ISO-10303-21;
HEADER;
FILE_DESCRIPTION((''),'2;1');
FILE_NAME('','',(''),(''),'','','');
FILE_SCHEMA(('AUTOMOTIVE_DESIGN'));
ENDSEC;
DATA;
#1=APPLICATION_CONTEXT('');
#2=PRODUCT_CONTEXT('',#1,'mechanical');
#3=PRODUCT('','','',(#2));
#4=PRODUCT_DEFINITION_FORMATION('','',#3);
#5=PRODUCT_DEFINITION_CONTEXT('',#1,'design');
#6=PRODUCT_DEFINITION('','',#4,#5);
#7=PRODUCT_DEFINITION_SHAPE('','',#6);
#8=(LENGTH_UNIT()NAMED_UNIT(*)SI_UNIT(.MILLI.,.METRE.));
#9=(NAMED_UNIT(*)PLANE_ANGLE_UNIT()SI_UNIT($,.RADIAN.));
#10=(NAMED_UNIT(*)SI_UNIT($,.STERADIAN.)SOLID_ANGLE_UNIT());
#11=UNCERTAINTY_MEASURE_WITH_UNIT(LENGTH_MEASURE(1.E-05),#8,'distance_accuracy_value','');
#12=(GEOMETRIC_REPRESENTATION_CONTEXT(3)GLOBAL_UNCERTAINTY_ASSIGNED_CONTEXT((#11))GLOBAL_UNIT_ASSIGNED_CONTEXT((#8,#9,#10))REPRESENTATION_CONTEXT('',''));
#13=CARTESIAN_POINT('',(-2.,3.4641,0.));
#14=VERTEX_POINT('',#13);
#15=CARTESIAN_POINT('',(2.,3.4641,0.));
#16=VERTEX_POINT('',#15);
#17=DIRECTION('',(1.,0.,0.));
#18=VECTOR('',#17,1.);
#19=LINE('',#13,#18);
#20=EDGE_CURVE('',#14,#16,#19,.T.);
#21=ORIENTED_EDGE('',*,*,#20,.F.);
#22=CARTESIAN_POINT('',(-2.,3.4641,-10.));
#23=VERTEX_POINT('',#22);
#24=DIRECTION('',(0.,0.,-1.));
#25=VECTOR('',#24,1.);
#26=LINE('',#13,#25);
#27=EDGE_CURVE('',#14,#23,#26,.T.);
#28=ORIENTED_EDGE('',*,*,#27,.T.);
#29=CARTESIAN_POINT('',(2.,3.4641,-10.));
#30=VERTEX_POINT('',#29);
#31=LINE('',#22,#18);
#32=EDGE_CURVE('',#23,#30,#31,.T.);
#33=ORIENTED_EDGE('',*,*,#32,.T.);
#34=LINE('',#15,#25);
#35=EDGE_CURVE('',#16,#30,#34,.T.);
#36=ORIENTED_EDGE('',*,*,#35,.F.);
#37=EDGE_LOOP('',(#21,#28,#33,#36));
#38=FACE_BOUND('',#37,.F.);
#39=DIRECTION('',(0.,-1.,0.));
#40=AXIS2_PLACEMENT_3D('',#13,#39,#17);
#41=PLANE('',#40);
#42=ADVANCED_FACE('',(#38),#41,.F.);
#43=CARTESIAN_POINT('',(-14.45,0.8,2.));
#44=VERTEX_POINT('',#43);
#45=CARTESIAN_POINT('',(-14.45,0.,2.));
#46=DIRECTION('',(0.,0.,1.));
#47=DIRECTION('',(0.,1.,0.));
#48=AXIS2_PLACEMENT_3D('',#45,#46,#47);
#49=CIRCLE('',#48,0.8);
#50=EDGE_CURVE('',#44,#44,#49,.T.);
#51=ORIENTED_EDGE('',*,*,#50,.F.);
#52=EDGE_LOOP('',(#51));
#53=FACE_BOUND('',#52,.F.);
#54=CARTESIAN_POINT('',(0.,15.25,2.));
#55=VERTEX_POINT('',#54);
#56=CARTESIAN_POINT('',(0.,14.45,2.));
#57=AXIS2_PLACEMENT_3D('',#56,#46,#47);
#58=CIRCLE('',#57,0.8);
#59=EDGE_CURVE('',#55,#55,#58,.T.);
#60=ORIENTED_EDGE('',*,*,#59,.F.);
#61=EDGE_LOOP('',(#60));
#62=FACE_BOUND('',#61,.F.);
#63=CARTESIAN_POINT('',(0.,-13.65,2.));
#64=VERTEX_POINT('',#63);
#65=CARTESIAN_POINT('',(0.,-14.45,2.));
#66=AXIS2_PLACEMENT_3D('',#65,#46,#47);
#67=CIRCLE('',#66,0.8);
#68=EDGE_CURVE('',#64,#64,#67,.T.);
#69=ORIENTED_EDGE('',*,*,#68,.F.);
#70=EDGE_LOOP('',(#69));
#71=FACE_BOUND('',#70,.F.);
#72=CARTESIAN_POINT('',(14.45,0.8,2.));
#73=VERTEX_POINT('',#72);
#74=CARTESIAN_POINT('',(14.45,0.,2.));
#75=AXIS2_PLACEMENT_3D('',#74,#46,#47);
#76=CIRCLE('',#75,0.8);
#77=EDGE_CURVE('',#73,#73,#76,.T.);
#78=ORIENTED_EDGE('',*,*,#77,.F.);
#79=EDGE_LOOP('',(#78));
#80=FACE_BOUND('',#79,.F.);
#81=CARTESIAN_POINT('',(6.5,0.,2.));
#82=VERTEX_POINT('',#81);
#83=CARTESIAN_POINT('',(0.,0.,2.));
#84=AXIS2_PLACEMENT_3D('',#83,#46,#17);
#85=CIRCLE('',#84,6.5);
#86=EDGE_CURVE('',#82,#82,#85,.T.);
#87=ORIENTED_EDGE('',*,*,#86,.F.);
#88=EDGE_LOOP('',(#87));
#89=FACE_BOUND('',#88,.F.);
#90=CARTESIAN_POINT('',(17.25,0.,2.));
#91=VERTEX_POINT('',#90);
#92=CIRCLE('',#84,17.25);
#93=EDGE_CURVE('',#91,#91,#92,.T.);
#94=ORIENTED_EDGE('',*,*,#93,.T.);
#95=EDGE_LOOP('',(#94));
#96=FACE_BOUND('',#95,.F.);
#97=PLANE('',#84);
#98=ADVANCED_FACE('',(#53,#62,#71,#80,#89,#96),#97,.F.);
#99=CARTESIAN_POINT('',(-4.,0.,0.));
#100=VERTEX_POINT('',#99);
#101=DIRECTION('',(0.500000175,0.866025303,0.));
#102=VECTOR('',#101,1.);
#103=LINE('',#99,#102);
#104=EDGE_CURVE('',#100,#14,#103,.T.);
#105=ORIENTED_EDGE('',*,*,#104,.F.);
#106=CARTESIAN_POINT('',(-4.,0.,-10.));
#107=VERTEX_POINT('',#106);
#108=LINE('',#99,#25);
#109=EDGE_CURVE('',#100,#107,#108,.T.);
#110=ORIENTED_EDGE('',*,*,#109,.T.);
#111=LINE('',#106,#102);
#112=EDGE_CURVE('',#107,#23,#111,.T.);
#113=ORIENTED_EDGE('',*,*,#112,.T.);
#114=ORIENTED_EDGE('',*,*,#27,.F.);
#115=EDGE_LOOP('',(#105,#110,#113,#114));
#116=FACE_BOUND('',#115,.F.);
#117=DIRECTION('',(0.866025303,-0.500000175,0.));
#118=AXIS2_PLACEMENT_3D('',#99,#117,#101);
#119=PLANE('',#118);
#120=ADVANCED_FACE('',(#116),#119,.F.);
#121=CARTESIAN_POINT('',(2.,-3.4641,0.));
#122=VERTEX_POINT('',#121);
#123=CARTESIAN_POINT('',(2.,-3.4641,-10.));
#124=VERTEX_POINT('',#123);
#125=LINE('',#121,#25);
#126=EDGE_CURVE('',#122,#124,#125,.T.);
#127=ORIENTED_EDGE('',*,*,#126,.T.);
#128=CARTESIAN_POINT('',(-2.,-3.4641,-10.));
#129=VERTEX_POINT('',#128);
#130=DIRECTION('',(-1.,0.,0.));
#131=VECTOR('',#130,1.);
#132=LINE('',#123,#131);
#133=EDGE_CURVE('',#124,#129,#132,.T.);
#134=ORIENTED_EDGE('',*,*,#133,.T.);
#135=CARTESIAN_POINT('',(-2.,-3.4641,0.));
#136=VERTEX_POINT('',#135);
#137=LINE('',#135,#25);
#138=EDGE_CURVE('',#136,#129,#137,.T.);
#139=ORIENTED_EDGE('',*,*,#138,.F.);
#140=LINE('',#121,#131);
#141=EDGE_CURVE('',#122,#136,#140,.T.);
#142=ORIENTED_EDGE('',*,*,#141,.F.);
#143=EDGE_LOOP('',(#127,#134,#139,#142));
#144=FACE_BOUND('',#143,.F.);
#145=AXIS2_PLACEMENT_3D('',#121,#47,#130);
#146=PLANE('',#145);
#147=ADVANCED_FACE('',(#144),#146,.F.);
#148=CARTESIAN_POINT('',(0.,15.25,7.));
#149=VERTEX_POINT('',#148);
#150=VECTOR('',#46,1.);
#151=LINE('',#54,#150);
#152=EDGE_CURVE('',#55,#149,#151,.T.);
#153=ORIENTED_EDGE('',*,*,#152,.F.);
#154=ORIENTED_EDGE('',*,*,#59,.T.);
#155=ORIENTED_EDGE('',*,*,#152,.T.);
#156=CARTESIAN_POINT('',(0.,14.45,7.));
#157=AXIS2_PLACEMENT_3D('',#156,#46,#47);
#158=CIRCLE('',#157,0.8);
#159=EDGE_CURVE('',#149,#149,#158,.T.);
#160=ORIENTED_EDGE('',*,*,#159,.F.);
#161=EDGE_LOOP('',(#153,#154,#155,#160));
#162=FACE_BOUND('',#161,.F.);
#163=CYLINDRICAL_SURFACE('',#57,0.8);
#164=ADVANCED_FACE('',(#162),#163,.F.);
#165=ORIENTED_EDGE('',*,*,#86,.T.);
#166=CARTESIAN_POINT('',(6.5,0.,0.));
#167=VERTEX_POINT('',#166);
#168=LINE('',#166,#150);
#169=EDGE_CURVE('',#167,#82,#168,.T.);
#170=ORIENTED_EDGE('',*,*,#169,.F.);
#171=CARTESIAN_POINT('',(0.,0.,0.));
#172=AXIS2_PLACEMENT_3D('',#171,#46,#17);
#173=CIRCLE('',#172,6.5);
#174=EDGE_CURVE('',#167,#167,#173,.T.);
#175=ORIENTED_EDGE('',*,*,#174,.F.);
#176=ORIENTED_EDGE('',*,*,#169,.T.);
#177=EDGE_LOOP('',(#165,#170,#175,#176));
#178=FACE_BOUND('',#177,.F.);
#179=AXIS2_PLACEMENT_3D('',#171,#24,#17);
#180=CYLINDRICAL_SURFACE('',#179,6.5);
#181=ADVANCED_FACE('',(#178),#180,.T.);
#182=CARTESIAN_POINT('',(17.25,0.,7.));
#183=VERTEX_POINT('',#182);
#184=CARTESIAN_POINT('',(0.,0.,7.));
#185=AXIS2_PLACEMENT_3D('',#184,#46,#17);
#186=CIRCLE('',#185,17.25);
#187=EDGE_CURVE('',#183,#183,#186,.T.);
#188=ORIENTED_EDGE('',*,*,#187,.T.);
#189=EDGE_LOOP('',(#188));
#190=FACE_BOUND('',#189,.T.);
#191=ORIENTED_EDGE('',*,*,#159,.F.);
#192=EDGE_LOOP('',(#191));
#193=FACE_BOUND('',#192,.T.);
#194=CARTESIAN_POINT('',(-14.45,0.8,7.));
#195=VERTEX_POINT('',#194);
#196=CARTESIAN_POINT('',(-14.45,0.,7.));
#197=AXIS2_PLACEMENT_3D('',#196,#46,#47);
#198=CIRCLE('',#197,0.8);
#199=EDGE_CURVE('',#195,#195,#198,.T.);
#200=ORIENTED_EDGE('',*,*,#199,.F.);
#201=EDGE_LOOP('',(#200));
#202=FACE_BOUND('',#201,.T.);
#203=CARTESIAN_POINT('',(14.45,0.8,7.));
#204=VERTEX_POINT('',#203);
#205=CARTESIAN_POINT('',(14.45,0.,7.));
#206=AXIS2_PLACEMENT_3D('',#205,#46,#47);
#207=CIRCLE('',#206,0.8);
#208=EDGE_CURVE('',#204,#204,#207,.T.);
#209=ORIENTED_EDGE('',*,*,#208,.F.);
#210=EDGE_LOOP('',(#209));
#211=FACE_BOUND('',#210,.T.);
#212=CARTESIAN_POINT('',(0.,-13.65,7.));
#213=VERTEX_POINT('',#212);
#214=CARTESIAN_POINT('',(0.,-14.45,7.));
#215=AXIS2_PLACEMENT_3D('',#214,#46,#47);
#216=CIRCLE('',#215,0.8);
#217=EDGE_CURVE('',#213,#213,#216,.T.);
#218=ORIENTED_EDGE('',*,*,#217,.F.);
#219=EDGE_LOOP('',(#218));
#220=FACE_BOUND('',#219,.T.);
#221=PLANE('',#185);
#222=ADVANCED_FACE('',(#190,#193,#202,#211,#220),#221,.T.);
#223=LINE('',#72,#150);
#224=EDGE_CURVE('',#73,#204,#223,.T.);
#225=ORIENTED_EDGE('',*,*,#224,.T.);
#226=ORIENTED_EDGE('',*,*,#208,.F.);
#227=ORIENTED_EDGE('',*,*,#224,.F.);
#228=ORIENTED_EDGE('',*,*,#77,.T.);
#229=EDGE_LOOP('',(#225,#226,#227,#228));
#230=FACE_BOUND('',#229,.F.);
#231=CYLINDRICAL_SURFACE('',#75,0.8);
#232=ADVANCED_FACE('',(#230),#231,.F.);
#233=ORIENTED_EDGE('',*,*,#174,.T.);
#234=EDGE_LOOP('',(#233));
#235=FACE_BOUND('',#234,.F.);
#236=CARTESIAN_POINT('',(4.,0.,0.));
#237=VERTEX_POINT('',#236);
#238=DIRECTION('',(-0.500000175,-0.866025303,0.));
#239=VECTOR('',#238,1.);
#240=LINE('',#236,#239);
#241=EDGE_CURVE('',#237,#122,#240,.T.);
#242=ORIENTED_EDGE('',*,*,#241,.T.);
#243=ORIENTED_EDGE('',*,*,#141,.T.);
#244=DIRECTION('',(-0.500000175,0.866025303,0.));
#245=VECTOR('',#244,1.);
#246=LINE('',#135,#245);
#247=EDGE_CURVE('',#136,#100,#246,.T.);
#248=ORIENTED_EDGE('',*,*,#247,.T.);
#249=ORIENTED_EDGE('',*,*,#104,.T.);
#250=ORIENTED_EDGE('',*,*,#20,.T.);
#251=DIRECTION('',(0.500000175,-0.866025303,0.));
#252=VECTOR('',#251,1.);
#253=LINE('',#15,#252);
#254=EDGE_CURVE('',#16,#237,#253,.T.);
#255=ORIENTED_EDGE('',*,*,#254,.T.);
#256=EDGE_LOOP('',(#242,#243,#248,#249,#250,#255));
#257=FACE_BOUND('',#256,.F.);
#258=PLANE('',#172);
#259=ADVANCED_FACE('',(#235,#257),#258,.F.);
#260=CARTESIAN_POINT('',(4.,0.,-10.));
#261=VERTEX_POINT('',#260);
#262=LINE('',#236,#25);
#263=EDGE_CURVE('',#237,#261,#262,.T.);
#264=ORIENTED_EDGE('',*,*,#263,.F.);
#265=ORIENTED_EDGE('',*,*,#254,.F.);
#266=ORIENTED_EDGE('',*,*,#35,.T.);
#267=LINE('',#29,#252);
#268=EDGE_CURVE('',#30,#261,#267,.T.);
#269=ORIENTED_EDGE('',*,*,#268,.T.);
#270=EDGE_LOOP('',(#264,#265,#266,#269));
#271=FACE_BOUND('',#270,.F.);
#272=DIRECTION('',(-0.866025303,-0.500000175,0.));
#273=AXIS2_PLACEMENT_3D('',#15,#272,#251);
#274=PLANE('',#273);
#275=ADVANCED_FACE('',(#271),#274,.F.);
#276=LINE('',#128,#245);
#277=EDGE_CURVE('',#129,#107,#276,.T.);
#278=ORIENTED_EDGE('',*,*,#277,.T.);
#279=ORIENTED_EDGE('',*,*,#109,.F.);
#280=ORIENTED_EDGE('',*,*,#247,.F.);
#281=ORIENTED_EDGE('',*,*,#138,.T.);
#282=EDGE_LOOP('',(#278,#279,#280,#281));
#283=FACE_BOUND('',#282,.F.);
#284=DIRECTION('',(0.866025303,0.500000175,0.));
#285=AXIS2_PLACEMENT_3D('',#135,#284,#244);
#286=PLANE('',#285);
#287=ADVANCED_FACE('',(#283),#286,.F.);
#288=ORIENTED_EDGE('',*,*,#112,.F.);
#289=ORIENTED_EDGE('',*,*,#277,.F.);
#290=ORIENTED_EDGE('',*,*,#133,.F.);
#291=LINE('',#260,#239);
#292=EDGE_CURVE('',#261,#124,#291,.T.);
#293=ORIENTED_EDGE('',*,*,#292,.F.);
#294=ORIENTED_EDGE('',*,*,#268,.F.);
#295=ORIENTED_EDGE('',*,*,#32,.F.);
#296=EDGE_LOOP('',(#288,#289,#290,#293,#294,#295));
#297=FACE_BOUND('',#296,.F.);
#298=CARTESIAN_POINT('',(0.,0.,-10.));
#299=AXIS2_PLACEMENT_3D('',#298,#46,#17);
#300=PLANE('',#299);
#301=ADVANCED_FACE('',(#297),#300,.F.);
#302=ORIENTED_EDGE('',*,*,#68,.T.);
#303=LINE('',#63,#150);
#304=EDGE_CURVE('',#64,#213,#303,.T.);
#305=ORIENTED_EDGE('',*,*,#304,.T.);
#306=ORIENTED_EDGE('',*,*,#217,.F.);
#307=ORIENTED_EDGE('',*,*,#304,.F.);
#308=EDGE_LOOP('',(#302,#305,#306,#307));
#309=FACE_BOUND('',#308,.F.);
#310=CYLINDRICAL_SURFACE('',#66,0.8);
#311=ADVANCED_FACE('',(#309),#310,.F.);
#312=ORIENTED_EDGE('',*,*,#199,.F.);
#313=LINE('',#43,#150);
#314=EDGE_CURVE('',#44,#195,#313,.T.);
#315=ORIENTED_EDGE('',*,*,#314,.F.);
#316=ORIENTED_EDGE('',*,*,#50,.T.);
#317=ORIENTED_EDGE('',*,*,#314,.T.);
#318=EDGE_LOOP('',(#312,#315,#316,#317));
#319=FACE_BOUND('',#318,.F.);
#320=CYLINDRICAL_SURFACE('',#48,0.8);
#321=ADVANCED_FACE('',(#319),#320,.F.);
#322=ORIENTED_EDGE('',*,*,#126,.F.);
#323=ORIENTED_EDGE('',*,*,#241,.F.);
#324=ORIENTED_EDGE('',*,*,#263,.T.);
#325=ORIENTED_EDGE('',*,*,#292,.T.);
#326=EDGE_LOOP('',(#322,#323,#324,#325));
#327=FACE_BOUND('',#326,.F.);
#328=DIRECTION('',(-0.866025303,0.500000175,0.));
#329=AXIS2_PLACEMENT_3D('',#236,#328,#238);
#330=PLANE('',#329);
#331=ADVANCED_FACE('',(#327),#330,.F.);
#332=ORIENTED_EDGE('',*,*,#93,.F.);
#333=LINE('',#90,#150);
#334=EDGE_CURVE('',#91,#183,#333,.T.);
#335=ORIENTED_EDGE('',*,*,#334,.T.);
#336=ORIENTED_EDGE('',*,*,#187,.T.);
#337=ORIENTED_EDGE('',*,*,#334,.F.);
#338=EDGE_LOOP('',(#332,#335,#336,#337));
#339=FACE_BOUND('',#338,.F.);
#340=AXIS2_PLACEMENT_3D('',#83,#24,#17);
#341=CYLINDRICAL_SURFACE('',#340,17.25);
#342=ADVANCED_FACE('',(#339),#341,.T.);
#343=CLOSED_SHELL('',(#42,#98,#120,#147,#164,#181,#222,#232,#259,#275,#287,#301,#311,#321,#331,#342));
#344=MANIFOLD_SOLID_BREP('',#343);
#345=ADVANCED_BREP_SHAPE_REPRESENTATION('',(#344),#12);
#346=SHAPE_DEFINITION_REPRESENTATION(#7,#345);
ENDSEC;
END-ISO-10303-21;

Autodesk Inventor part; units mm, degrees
ref_plane "YZ Plane" through (0, 0, 0) normal (1, 0, 0) x (0, 1, 0)
ref_plane "XZ Plane" through (0, 0, 0) normal (0, 1, 0) x (-1, 0, 0)
sketch "Sketch1" plane through (0, 0, 0) normal (0, 0, 1) x (1, 0, 0)
  line L0 (-2, 3.4641) -> (2, 3.4641) projected
  line L1 (-4, 0) -> (-2, 3.4641) projected
  line L2 (-2, -3.4641) -> (-4, 0) projected
  line L3 (2, -3.4641) -> (-2, -3.4641) projected
  line L4 (4, 0) -> (2, -3.4641) projected
  line L5 (2, 3.4641) -> (4, 0) projected
  line L6 (-4, 0) -> (-2, 3.4641) projected
  line L7 (-2, 3.4641) -> (2, 3.4641) projected
  line L8 (2, 3.4641) -> (4, 0) projected
  line L9 (4, 0) -> (2, -3.4641) projected
  line L10 (2, -3.4641) -> (-2, -3.4641) projected
  line L11 (-2, -3.4641) -> (-4, 0) projected
  circle A0 centre (0, 0) radius 7.5 projected
  circle A1 centre (0, 0) radius 6.5
  point P0 (0, 0)
  dimension "d0" = 1
extrude "Extrusion1" add sketch "Sketch1" against normal blind 10 contours L0 L5 L4 L3 L2 L1
ref_plane "Work Plane2" through (0, 0, 0) normal (0, 0, 1) x (1, 0, 0)
sketch "Sketch3" plane through (0, 0, 0) normal (0, 0, 1) x (1, 0, 0)
  circle A0 centre (0, 0) radius 6.5 projected
  point P0 (0, 0)
extrude "Extrusion2" add sketch "Sketch3" along normal blind 2
sketch "Sketch4" plane through (0, 0, 2) normal (0, 0, 1) x (1, 0, 0)
  circle A0 centre (0, 0) radius 17.25
  circle A1 centre (0, 0) radius 14.45 construction
  point P0 (14.45, 0)
  point P1 (-14.45, 0)
  point P2 (0, 14.45)
  point P3 (0, -14.45)
  dimension "d5" = 34.5
  dimension "d6" = 28.9
extrude "Extrusion3" add sketch "Sketch4" along normal blind 5
hole "Hole1" at (14.45, 0, 2) at (-14.45, 0, 2) at (0, 14.45, 2) at (0, -14.45, 2) direction (0, 0, 1) diameter 1.6 end through all
properties part number "Exagono"
